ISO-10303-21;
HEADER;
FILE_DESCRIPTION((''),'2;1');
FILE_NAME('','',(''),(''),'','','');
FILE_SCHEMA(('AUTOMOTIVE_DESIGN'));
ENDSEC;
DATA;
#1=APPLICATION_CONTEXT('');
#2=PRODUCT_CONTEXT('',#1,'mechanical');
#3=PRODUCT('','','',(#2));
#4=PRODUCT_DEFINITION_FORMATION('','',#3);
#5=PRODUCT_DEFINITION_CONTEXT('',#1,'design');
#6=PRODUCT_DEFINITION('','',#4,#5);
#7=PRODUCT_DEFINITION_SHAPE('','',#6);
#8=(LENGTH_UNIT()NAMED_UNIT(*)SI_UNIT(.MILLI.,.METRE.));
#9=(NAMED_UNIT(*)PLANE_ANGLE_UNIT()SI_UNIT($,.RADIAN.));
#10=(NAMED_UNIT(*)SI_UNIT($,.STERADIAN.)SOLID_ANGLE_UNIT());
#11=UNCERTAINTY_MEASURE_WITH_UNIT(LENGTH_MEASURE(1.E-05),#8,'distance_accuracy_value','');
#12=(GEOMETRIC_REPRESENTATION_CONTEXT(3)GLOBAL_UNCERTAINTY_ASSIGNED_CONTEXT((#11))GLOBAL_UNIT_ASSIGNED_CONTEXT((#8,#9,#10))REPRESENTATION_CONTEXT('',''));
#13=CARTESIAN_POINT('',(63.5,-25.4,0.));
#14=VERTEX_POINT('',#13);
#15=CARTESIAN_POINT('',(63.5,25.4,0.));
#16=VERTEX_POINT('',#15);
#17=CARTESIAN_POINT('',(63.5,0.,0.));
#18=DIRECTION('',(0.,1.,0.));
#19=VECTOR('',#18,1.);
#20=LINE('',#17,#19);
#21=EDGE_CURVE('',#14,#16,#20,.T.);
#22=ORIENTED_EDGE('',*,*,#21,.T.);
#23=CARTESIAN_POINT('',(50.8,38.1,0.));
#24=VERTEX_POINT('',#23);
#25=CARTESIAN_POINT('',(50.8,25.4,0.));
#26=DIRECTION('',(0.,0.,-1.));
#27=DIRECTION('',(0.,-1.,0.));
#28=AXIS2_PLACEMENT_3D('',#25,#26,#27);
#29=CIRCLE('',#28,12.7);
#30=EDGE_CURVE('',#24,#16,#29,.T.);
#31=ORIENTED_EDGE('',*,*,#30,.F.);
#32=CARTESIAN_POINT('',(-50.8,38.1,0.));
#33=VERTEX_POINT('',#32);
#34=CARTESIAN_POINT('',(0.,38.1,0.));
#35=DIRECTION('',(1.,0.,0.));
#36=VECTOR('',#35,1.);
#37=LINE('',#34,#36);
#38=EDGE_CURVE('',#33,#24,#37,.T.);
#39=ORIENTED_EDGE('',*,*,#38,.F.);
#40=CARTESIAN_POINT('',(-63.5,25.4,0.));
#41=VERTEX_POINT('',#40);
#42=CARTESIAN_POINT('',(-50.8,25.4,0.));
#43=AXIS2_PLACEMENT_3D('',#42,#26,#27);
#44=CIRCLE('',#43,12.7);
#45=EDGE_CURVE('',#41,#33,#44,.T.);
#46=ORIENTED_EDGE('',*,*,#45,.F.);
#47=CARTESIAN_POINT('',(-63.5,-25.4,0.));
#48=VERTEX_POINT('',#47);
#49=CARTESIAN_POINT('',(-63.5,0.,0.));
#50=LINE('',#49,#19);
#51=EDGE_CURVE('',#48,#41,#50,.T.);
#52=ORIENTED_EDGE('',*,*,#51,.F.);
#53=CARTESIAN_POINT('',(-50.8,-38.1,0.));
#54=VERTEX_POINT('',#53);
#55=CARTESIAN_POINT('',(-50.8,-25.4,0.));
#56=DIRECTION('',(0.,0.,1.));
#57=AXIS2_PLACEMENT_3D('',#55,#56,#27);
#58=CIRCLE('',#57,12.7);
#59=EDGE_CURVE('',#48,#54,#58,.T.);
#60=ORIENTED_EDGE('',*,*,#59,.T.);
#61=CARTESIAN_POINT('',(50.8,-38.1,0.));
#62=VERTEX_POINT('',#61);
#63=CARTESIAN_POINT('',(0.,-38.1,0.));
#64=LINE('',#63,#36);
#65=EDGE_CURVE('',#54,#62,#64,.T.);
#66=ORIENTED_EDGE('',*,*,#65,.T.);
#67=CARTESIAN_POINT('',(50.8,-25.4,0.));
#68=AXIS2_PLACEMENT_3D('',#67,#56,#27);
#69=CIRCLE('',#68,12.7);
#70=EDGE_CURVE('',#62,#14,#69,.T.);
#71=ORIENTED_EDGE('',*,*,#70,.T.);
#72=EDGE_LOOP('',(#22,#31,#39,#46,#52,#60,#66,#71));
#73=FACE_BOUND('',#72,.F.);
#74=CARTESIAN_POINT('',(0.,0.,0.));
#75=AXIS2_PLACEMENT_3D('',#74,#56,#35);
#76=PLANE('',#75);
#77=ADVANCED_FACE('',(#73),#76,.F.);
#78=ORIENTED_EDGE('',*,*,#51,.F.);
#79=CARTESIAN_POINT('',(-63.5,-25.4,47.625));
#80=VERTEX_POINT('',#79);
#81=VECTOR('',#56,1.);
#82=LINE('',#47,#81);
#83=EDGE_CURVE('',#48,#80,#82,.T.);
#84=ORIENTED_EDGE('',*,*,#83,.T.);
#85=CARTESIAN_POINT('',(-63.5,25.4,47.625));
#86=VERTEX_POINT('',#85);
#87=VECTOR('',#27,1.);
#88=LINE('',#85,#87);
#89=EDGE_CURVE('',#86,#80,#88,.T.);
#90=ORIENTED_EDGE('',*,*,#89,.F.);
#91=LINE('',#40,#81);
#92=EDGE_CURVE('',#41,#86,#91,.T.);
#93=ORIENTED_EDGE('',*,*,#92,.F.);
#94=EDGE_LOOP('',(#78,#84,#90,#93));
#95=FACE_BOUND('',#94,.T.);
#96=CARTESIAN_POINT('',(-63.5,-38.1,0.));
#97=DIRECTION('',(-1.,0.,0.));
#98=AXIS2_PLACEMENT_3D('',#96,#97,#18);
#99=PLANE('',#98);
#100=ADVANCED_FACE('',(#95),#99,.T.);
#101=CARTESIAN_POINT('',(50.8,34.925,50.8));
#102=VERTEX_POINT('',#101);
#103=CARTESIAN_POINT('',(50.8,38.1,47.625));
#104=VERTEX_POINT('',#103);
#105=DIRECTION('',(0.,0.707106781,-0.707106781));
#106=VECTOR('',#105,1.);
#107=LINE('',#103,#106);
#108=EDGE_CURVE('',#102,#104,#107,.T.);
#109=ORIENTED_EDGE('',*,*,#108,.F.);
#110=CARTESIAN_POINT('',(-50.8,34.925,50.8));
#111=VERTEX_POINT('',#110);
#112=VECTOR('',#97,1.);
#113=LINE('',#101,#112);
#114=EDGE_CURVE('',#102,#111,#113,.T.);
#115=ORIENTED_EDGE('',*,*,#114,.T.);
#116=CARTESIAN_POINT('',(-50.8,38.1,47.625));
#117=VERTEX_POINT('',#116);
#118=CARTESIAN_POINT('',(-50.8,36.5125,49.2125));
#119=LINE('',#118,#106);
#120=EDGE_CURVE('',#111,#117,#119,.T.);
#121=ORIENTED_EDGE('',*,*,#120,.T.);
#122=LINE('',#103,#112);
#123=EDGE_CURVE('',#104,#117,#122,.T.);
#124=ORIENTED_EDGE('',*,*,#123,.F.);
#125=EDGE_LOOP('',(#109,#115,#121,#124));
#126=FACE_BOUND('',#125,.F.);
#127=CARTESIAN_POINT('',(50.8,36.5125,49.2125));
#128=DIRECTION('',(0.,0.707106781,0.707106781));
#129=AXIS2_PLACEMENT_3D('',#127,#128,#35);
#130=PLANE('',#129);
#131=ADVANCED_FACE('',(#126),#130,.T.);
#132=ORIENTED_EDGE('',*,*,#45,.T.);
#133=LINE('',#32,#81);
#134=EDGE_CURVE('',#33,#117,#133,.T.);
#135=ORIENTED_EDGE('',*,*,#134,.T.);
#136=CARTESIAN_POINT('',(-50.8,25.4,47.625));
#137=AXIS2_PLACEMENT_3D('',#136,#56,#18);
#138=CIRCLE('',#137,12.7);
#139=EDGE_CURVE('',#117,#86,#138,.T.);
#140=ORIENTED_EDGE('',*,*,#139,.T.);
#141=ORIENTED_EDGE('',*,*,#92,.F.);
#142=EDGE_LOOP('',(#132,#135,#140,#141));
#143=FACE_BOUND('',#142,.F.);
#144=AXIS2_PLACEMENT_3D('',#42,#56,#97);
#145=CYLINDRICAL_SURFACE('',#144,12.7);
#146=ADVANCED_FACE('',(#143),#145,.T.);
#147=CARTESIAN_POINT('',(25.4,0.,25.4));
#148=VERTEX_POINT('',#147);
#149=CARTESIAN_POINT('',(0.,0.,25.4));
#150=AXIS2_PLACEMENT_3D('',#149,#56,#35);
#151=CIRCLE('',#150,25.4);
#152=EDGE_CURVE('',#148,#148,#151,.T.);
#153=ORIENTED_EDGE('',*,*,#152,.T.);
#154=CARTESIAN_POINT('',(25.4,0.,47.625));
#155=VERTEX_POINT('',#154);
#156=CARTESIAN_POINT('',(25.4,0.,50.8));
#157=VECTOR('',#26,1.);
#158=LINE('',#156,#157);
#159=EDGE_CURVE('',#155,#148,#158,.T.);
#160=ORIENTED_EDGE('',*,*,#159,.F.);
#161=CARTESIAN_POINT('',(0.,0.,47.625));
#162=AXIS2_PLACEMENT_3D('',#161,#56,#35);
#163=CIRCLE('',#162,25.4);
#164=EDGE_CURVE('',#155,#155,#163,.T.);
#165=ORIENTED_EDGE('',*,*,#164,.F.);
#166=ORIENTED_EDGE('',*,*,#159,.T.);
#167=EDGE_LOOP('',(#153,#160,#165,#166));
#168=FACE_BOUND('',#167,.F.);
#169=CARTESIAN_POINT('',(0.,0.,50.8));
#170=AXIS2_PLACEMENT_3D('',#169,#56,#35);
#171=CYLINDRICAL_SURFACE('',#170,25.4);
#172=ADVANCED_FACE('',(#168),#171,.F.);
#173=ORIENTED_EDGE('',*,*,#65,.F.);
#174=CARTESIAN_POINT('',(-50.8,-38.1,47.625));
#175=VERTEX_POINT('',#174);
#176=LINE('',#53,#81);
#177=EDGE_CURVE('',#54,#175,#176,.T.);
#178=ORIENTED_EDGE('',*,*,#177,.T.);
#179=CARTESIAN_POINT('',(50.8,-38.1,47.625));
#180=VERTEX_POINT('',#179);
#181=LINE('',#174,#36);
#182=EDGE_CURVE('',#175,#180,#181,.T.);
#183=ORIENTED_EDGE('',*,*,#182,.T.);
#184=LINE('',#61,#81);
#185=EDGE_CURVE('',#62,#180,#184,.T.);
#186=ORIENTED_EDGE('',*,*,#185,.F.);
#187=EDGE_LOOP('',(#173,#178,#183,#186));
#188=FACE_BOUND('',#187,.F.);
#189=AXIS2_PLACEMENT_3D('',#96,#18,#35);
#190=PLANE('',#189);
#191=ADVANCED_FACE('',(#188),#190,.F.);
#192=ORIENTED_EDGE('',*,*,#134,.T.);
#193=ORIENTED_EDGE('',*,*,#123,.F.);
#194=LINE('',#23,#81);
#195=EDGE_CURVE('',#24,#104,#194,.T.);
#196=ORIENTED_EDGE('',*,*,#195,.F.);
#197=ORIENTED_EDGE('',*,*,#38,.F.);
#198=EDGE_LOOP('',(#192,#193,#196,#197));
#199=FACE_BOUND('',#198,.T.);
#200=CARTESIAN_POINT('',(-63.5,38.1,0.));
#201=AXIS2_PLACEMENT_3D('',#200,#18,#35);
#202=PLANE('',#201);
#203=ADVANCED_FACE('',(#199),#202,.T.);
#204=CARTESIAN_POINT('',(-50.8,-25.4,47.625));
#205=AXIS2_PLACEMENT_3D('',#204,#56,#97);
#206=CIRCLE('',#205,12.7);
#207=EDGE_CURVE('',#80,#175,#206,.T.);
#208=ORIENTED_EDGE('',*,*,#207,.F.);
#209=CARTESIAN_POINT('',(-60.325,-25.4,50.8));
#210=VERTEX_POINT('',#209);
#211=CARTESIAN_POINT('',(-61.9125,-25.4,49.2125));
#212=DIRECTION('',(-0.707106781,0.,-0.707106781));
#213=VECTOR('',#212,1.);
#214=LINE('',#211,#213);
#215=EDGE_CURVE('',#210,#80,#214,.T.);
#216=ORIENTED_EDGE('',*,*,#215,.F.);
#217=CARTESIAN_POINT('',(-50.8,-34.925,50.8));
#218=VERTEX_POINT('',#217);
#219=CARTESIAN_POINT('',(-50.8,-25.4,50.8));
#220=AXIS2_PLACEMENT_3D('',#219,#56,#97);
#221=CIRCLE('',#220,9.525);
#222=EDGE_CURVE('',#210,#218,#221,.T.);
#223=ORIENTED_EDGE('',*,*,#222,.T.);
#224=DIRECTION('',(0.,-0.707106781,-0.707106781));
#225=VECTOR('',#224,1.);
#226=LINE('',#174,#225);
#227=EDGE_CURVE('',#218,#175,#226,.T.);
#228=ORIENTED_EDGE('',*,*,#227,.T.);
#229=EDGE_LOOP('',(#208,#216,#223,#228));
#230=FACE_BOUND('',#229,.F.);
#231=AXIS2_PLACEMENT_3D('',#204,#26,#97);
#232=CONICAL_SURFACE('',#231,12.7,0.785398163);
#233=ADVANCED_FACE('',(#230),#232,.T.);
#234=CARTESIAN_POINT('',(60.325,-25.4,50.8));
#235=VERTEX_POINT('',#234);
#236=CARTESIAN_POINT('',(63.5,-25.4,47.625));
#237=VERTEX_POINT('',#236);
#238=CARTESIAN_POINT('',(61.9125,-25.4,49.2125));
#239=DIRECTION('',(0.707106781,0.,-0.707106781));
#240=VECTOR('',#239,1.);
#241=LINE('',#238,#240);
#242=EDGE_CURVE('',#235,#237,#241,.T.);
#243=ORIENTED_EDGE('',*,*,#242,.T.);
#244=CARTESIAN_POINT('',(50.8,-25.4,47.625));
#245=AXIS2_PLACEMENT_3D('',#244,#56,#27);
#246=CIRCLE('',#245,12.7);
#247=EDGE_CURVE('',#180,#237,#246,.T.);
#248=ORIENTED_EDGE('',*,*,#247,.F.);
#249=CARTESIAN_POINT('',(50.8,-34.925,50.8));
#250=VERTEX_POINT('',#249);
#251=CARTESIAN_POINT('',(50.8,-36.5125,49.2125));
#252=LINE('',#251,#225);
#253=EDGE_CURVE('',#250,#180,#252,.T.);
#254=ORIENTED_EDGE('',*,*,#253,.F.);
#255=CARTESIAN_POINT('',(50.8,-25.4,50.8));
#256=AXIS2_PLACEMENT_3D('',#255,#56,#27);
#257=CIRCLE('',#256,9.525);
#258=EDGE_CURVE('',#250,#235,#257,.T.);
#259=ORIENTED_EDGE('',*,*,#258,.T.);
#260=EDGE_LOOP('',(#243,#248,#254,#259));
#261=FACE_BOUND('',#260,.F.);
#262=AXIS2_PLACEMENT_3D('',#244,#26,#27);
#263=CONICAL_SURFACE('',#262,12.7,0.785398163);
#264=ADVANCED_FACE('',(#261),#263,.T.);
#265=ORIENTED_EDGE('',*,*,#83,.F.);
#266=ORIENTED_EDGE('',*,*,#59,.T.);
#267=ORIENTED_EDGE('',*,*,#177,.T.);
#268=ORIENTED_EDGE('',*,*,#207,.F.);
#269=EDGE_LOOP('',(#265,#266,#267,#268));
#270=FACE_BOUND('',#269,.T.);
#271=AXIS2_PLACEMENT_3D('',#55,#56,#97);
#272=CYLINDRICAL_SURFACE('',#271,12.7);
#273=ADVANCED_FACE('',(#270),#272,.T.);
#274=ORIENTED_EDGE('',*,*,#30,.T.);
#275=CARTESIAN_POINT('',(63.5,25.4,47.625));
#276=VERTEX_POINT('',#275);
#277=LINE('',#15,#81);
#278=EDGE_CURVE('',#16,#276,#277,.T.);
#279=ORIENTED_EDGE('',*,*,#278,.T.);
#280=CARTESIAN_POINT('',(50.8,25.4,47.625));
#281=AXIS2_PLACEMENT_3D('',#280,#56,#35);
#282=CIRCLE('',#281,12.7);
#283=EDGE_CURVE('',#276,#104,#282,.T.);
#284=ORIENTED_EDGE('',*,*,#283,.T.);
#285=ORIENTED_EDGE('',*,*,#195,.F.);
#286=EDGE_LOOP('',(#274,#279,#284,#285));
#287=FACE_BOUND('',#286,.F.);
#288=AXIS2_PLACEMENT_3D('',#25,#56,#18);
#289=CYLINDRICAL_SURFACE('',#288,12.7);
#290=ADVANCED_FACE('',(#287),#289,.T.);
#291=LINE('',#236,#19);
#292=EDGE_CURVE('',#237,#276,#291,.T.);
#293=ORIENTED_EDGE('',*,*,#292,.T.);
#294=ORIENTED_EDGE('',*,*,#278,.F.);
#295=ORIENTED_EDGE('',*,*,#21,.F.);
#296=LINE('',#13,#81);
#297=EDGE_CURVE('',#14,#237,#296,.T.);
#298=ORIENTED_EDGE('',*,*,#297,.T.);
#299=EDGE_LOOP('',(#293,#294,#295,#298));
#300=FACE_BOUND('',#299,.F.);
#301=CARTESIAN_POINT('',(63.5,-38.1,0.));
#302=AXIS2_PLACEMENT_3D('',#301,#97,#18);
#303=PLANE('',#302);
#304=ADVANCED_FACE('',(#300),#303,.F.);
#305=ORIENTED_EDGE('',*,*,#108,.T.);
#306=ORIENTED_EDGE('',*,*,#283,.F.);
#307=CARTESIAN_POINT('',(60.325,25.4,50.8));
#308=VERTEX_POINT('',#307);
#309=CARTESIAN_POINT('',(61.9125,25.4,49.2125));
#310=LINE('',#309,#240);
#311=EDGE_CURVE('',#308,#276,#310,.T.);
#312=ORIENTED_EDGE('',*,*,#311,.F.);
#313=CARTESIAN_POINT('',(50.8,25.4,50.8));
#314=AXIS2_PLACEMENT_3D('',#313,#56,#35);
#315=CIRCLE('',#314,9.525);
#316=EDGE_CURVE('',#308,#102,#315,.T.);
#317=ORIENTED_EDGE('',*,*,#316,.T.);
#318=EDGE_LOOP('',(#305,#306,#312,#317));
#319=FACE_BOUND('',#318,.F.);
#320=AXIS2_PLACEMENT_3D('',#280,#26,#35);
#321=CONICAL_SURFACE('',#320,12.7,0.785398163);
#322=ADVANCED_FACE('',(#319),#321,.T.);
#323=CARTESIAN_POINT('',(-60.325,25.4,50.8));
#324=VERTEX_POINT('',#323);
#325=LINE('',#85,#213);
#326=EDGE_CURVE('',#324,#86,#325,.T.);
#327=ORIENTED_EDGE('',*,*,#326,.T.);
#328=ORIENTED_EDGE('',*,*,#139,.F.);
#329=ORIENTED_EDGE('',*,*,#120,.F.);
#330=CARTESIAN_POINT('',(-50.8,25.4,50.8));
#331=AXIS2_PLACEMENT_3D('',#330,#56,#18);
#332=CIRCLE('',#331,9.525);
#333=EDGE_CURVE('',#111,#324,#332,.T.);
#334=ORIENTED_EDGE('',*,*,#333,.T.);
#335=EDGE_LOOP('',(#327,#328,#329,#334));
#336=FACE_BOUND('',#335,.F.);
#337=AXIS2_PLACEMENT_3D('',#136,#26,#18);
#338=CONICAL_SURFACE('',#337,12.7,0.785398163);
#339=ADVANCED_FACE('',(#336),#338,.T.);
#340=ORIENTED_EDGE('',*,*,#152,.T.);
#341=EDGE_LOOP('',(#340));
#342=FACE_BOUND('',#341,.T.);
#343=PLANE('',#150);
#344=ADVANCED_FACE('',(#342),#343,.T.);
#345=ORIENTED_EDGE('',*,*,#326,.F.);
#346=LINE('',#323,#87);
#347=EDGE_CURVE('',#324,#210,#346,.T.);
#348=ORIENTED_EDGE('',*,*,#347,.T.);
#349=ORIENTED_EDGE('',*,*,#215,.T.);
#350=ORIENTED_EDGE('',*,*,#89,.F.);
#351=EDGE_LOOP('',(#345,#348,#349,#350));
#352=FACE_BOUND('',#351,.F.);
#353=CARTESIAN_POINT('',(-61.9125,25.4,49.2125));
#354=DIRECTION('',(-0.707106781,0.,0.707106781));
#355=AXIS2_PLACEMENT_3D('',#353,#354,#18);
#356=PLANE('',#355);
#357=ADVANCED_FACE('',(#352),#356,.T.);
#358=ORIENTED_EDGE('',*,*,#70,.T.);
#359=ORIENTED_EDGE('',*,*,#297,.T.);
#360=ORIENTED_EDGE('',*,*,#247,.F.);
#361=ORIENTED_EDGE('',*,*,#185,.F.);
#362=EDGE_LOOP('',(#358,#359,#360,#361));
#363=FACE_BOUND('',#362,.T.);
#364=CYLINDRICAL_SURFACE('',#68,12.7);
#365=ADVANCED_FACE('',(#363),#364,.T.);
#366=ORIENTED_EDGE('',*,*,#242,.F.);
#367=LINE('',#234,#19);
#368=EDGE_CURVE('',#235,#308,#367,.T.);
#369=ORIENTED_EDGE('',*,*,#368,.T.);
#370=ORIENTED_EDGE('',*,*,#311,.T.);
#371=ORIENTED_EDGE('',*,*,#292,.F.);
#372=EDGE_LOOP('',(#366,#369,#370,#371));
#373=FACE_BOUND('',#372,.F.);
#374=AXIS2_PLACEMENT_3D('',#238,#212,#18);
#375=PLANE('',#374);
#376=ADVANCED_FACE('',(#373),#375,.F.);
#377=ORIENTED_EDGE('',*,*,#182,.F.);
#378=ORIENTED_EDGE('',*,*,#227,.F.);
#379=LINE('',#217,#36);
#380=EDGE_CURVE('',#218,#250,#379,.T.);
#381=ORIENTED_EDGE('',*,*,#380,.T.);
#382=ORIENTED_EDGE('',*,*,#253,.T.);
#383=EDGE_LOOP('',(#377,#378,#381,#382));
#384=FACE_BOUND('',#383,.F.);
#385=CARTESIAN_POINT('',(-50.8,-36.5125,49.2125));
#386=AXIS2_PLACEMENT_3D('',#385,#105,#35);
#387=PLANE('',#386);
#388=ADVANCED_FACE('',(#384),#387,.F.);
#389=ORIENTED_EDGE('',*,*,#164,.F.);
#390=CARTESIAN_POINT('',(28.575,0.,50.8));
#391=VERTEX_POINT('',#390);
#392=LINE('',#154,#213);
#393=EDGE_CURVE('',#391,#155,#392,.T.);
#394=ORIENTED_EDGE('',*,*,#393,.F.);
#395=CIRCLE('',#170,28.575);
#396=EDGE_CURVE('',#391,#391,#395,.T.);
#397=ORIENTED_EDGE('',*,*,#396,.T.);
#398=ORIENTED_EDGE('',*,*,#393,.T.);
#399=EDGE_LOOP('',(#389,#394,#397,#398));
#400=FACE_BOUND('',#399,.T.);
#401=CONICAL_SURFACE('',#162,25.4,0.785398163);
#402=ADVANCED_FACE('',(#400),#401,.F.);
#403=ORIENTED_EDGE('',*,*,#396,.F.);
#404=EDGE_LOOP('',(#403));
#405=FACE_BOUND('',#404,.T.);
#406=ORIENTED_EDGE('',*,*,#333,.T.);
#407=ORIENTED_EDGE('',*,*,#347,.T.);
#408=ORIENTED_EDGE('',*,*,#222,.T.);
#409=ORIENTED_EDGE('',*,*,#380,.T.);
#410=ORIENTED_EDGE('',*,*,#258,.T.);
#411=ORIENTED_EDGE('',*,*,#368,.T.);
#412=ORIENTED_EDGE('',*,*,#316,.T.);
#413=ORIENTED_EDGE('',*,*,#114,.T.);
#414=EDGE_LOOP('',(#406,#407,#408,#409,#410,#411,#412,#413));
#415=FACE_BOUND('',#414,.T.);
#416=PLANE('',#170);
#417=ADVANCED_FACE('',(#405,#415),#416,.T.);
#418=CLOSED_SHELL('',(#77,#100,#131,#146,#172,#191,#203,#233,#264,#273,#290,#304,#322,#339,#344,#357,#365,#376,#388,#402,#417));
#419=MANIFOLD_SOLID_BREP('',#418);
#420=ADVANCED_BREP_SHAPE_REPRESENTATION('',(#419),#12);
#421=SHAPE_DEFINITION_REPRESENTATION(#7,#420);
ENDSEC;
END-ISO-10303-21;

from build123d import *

# Parameters (mm, degrees)
F0_W     = 127
F0_H     = 76.2
F1_DEPTH = 50.8
F2_R     = 25.4
F3_DEPTH = 25.4
F4_R     = 12.7
F5_SIZE  = 3.175


with BuildPart() as f1:
    # F0 (on Top) → F1 (new body)
    with BuildSketch(Plane.XY):
        Rectangle(F0_W, F0_H)
    extrude(amount=F1_DEPTH)

    # F2 (on face) → F3 (cut)
    with BuildSketch(Plane.XY.offset(50.8)):
        Circle(F2_R)
    extrude(amount=-F3_DEPTH, mode=Mode.SUBTRACT)

    # F4
    f4_edges = [f1.edges().sort_by_distance(p)[0] for p in [
        (-63.5, -38.1, 25.4),
        (63.5, -38.1, 25.4),
        (63.5, 38.1, 25.4),
        (-63.5, 38.1, 25.4),
    ]]
    fillet(f4_edges, radius=F4_R)

    # F5
    f5_edges = [f1.edges().sort_by_distance(p)[0] for p in [
        (63.5, 0, 50.8),
        (59.780256, -34.380256, 50.8),
        (59.780256, 34.380256, 50.8),
        (0, -38.1, 50.8),
        (0, 38.1, 50.8),
        (-59.780256, -34.380256, 50.8),
        (-59.780256, 34.380256, 50.8),
        (-63.5, 0, 50.8),
        (-25.4, 0, 50.8),
    ]]
    chamfer(f5_edges, length=F5_SIZE)


solid = f1.part
